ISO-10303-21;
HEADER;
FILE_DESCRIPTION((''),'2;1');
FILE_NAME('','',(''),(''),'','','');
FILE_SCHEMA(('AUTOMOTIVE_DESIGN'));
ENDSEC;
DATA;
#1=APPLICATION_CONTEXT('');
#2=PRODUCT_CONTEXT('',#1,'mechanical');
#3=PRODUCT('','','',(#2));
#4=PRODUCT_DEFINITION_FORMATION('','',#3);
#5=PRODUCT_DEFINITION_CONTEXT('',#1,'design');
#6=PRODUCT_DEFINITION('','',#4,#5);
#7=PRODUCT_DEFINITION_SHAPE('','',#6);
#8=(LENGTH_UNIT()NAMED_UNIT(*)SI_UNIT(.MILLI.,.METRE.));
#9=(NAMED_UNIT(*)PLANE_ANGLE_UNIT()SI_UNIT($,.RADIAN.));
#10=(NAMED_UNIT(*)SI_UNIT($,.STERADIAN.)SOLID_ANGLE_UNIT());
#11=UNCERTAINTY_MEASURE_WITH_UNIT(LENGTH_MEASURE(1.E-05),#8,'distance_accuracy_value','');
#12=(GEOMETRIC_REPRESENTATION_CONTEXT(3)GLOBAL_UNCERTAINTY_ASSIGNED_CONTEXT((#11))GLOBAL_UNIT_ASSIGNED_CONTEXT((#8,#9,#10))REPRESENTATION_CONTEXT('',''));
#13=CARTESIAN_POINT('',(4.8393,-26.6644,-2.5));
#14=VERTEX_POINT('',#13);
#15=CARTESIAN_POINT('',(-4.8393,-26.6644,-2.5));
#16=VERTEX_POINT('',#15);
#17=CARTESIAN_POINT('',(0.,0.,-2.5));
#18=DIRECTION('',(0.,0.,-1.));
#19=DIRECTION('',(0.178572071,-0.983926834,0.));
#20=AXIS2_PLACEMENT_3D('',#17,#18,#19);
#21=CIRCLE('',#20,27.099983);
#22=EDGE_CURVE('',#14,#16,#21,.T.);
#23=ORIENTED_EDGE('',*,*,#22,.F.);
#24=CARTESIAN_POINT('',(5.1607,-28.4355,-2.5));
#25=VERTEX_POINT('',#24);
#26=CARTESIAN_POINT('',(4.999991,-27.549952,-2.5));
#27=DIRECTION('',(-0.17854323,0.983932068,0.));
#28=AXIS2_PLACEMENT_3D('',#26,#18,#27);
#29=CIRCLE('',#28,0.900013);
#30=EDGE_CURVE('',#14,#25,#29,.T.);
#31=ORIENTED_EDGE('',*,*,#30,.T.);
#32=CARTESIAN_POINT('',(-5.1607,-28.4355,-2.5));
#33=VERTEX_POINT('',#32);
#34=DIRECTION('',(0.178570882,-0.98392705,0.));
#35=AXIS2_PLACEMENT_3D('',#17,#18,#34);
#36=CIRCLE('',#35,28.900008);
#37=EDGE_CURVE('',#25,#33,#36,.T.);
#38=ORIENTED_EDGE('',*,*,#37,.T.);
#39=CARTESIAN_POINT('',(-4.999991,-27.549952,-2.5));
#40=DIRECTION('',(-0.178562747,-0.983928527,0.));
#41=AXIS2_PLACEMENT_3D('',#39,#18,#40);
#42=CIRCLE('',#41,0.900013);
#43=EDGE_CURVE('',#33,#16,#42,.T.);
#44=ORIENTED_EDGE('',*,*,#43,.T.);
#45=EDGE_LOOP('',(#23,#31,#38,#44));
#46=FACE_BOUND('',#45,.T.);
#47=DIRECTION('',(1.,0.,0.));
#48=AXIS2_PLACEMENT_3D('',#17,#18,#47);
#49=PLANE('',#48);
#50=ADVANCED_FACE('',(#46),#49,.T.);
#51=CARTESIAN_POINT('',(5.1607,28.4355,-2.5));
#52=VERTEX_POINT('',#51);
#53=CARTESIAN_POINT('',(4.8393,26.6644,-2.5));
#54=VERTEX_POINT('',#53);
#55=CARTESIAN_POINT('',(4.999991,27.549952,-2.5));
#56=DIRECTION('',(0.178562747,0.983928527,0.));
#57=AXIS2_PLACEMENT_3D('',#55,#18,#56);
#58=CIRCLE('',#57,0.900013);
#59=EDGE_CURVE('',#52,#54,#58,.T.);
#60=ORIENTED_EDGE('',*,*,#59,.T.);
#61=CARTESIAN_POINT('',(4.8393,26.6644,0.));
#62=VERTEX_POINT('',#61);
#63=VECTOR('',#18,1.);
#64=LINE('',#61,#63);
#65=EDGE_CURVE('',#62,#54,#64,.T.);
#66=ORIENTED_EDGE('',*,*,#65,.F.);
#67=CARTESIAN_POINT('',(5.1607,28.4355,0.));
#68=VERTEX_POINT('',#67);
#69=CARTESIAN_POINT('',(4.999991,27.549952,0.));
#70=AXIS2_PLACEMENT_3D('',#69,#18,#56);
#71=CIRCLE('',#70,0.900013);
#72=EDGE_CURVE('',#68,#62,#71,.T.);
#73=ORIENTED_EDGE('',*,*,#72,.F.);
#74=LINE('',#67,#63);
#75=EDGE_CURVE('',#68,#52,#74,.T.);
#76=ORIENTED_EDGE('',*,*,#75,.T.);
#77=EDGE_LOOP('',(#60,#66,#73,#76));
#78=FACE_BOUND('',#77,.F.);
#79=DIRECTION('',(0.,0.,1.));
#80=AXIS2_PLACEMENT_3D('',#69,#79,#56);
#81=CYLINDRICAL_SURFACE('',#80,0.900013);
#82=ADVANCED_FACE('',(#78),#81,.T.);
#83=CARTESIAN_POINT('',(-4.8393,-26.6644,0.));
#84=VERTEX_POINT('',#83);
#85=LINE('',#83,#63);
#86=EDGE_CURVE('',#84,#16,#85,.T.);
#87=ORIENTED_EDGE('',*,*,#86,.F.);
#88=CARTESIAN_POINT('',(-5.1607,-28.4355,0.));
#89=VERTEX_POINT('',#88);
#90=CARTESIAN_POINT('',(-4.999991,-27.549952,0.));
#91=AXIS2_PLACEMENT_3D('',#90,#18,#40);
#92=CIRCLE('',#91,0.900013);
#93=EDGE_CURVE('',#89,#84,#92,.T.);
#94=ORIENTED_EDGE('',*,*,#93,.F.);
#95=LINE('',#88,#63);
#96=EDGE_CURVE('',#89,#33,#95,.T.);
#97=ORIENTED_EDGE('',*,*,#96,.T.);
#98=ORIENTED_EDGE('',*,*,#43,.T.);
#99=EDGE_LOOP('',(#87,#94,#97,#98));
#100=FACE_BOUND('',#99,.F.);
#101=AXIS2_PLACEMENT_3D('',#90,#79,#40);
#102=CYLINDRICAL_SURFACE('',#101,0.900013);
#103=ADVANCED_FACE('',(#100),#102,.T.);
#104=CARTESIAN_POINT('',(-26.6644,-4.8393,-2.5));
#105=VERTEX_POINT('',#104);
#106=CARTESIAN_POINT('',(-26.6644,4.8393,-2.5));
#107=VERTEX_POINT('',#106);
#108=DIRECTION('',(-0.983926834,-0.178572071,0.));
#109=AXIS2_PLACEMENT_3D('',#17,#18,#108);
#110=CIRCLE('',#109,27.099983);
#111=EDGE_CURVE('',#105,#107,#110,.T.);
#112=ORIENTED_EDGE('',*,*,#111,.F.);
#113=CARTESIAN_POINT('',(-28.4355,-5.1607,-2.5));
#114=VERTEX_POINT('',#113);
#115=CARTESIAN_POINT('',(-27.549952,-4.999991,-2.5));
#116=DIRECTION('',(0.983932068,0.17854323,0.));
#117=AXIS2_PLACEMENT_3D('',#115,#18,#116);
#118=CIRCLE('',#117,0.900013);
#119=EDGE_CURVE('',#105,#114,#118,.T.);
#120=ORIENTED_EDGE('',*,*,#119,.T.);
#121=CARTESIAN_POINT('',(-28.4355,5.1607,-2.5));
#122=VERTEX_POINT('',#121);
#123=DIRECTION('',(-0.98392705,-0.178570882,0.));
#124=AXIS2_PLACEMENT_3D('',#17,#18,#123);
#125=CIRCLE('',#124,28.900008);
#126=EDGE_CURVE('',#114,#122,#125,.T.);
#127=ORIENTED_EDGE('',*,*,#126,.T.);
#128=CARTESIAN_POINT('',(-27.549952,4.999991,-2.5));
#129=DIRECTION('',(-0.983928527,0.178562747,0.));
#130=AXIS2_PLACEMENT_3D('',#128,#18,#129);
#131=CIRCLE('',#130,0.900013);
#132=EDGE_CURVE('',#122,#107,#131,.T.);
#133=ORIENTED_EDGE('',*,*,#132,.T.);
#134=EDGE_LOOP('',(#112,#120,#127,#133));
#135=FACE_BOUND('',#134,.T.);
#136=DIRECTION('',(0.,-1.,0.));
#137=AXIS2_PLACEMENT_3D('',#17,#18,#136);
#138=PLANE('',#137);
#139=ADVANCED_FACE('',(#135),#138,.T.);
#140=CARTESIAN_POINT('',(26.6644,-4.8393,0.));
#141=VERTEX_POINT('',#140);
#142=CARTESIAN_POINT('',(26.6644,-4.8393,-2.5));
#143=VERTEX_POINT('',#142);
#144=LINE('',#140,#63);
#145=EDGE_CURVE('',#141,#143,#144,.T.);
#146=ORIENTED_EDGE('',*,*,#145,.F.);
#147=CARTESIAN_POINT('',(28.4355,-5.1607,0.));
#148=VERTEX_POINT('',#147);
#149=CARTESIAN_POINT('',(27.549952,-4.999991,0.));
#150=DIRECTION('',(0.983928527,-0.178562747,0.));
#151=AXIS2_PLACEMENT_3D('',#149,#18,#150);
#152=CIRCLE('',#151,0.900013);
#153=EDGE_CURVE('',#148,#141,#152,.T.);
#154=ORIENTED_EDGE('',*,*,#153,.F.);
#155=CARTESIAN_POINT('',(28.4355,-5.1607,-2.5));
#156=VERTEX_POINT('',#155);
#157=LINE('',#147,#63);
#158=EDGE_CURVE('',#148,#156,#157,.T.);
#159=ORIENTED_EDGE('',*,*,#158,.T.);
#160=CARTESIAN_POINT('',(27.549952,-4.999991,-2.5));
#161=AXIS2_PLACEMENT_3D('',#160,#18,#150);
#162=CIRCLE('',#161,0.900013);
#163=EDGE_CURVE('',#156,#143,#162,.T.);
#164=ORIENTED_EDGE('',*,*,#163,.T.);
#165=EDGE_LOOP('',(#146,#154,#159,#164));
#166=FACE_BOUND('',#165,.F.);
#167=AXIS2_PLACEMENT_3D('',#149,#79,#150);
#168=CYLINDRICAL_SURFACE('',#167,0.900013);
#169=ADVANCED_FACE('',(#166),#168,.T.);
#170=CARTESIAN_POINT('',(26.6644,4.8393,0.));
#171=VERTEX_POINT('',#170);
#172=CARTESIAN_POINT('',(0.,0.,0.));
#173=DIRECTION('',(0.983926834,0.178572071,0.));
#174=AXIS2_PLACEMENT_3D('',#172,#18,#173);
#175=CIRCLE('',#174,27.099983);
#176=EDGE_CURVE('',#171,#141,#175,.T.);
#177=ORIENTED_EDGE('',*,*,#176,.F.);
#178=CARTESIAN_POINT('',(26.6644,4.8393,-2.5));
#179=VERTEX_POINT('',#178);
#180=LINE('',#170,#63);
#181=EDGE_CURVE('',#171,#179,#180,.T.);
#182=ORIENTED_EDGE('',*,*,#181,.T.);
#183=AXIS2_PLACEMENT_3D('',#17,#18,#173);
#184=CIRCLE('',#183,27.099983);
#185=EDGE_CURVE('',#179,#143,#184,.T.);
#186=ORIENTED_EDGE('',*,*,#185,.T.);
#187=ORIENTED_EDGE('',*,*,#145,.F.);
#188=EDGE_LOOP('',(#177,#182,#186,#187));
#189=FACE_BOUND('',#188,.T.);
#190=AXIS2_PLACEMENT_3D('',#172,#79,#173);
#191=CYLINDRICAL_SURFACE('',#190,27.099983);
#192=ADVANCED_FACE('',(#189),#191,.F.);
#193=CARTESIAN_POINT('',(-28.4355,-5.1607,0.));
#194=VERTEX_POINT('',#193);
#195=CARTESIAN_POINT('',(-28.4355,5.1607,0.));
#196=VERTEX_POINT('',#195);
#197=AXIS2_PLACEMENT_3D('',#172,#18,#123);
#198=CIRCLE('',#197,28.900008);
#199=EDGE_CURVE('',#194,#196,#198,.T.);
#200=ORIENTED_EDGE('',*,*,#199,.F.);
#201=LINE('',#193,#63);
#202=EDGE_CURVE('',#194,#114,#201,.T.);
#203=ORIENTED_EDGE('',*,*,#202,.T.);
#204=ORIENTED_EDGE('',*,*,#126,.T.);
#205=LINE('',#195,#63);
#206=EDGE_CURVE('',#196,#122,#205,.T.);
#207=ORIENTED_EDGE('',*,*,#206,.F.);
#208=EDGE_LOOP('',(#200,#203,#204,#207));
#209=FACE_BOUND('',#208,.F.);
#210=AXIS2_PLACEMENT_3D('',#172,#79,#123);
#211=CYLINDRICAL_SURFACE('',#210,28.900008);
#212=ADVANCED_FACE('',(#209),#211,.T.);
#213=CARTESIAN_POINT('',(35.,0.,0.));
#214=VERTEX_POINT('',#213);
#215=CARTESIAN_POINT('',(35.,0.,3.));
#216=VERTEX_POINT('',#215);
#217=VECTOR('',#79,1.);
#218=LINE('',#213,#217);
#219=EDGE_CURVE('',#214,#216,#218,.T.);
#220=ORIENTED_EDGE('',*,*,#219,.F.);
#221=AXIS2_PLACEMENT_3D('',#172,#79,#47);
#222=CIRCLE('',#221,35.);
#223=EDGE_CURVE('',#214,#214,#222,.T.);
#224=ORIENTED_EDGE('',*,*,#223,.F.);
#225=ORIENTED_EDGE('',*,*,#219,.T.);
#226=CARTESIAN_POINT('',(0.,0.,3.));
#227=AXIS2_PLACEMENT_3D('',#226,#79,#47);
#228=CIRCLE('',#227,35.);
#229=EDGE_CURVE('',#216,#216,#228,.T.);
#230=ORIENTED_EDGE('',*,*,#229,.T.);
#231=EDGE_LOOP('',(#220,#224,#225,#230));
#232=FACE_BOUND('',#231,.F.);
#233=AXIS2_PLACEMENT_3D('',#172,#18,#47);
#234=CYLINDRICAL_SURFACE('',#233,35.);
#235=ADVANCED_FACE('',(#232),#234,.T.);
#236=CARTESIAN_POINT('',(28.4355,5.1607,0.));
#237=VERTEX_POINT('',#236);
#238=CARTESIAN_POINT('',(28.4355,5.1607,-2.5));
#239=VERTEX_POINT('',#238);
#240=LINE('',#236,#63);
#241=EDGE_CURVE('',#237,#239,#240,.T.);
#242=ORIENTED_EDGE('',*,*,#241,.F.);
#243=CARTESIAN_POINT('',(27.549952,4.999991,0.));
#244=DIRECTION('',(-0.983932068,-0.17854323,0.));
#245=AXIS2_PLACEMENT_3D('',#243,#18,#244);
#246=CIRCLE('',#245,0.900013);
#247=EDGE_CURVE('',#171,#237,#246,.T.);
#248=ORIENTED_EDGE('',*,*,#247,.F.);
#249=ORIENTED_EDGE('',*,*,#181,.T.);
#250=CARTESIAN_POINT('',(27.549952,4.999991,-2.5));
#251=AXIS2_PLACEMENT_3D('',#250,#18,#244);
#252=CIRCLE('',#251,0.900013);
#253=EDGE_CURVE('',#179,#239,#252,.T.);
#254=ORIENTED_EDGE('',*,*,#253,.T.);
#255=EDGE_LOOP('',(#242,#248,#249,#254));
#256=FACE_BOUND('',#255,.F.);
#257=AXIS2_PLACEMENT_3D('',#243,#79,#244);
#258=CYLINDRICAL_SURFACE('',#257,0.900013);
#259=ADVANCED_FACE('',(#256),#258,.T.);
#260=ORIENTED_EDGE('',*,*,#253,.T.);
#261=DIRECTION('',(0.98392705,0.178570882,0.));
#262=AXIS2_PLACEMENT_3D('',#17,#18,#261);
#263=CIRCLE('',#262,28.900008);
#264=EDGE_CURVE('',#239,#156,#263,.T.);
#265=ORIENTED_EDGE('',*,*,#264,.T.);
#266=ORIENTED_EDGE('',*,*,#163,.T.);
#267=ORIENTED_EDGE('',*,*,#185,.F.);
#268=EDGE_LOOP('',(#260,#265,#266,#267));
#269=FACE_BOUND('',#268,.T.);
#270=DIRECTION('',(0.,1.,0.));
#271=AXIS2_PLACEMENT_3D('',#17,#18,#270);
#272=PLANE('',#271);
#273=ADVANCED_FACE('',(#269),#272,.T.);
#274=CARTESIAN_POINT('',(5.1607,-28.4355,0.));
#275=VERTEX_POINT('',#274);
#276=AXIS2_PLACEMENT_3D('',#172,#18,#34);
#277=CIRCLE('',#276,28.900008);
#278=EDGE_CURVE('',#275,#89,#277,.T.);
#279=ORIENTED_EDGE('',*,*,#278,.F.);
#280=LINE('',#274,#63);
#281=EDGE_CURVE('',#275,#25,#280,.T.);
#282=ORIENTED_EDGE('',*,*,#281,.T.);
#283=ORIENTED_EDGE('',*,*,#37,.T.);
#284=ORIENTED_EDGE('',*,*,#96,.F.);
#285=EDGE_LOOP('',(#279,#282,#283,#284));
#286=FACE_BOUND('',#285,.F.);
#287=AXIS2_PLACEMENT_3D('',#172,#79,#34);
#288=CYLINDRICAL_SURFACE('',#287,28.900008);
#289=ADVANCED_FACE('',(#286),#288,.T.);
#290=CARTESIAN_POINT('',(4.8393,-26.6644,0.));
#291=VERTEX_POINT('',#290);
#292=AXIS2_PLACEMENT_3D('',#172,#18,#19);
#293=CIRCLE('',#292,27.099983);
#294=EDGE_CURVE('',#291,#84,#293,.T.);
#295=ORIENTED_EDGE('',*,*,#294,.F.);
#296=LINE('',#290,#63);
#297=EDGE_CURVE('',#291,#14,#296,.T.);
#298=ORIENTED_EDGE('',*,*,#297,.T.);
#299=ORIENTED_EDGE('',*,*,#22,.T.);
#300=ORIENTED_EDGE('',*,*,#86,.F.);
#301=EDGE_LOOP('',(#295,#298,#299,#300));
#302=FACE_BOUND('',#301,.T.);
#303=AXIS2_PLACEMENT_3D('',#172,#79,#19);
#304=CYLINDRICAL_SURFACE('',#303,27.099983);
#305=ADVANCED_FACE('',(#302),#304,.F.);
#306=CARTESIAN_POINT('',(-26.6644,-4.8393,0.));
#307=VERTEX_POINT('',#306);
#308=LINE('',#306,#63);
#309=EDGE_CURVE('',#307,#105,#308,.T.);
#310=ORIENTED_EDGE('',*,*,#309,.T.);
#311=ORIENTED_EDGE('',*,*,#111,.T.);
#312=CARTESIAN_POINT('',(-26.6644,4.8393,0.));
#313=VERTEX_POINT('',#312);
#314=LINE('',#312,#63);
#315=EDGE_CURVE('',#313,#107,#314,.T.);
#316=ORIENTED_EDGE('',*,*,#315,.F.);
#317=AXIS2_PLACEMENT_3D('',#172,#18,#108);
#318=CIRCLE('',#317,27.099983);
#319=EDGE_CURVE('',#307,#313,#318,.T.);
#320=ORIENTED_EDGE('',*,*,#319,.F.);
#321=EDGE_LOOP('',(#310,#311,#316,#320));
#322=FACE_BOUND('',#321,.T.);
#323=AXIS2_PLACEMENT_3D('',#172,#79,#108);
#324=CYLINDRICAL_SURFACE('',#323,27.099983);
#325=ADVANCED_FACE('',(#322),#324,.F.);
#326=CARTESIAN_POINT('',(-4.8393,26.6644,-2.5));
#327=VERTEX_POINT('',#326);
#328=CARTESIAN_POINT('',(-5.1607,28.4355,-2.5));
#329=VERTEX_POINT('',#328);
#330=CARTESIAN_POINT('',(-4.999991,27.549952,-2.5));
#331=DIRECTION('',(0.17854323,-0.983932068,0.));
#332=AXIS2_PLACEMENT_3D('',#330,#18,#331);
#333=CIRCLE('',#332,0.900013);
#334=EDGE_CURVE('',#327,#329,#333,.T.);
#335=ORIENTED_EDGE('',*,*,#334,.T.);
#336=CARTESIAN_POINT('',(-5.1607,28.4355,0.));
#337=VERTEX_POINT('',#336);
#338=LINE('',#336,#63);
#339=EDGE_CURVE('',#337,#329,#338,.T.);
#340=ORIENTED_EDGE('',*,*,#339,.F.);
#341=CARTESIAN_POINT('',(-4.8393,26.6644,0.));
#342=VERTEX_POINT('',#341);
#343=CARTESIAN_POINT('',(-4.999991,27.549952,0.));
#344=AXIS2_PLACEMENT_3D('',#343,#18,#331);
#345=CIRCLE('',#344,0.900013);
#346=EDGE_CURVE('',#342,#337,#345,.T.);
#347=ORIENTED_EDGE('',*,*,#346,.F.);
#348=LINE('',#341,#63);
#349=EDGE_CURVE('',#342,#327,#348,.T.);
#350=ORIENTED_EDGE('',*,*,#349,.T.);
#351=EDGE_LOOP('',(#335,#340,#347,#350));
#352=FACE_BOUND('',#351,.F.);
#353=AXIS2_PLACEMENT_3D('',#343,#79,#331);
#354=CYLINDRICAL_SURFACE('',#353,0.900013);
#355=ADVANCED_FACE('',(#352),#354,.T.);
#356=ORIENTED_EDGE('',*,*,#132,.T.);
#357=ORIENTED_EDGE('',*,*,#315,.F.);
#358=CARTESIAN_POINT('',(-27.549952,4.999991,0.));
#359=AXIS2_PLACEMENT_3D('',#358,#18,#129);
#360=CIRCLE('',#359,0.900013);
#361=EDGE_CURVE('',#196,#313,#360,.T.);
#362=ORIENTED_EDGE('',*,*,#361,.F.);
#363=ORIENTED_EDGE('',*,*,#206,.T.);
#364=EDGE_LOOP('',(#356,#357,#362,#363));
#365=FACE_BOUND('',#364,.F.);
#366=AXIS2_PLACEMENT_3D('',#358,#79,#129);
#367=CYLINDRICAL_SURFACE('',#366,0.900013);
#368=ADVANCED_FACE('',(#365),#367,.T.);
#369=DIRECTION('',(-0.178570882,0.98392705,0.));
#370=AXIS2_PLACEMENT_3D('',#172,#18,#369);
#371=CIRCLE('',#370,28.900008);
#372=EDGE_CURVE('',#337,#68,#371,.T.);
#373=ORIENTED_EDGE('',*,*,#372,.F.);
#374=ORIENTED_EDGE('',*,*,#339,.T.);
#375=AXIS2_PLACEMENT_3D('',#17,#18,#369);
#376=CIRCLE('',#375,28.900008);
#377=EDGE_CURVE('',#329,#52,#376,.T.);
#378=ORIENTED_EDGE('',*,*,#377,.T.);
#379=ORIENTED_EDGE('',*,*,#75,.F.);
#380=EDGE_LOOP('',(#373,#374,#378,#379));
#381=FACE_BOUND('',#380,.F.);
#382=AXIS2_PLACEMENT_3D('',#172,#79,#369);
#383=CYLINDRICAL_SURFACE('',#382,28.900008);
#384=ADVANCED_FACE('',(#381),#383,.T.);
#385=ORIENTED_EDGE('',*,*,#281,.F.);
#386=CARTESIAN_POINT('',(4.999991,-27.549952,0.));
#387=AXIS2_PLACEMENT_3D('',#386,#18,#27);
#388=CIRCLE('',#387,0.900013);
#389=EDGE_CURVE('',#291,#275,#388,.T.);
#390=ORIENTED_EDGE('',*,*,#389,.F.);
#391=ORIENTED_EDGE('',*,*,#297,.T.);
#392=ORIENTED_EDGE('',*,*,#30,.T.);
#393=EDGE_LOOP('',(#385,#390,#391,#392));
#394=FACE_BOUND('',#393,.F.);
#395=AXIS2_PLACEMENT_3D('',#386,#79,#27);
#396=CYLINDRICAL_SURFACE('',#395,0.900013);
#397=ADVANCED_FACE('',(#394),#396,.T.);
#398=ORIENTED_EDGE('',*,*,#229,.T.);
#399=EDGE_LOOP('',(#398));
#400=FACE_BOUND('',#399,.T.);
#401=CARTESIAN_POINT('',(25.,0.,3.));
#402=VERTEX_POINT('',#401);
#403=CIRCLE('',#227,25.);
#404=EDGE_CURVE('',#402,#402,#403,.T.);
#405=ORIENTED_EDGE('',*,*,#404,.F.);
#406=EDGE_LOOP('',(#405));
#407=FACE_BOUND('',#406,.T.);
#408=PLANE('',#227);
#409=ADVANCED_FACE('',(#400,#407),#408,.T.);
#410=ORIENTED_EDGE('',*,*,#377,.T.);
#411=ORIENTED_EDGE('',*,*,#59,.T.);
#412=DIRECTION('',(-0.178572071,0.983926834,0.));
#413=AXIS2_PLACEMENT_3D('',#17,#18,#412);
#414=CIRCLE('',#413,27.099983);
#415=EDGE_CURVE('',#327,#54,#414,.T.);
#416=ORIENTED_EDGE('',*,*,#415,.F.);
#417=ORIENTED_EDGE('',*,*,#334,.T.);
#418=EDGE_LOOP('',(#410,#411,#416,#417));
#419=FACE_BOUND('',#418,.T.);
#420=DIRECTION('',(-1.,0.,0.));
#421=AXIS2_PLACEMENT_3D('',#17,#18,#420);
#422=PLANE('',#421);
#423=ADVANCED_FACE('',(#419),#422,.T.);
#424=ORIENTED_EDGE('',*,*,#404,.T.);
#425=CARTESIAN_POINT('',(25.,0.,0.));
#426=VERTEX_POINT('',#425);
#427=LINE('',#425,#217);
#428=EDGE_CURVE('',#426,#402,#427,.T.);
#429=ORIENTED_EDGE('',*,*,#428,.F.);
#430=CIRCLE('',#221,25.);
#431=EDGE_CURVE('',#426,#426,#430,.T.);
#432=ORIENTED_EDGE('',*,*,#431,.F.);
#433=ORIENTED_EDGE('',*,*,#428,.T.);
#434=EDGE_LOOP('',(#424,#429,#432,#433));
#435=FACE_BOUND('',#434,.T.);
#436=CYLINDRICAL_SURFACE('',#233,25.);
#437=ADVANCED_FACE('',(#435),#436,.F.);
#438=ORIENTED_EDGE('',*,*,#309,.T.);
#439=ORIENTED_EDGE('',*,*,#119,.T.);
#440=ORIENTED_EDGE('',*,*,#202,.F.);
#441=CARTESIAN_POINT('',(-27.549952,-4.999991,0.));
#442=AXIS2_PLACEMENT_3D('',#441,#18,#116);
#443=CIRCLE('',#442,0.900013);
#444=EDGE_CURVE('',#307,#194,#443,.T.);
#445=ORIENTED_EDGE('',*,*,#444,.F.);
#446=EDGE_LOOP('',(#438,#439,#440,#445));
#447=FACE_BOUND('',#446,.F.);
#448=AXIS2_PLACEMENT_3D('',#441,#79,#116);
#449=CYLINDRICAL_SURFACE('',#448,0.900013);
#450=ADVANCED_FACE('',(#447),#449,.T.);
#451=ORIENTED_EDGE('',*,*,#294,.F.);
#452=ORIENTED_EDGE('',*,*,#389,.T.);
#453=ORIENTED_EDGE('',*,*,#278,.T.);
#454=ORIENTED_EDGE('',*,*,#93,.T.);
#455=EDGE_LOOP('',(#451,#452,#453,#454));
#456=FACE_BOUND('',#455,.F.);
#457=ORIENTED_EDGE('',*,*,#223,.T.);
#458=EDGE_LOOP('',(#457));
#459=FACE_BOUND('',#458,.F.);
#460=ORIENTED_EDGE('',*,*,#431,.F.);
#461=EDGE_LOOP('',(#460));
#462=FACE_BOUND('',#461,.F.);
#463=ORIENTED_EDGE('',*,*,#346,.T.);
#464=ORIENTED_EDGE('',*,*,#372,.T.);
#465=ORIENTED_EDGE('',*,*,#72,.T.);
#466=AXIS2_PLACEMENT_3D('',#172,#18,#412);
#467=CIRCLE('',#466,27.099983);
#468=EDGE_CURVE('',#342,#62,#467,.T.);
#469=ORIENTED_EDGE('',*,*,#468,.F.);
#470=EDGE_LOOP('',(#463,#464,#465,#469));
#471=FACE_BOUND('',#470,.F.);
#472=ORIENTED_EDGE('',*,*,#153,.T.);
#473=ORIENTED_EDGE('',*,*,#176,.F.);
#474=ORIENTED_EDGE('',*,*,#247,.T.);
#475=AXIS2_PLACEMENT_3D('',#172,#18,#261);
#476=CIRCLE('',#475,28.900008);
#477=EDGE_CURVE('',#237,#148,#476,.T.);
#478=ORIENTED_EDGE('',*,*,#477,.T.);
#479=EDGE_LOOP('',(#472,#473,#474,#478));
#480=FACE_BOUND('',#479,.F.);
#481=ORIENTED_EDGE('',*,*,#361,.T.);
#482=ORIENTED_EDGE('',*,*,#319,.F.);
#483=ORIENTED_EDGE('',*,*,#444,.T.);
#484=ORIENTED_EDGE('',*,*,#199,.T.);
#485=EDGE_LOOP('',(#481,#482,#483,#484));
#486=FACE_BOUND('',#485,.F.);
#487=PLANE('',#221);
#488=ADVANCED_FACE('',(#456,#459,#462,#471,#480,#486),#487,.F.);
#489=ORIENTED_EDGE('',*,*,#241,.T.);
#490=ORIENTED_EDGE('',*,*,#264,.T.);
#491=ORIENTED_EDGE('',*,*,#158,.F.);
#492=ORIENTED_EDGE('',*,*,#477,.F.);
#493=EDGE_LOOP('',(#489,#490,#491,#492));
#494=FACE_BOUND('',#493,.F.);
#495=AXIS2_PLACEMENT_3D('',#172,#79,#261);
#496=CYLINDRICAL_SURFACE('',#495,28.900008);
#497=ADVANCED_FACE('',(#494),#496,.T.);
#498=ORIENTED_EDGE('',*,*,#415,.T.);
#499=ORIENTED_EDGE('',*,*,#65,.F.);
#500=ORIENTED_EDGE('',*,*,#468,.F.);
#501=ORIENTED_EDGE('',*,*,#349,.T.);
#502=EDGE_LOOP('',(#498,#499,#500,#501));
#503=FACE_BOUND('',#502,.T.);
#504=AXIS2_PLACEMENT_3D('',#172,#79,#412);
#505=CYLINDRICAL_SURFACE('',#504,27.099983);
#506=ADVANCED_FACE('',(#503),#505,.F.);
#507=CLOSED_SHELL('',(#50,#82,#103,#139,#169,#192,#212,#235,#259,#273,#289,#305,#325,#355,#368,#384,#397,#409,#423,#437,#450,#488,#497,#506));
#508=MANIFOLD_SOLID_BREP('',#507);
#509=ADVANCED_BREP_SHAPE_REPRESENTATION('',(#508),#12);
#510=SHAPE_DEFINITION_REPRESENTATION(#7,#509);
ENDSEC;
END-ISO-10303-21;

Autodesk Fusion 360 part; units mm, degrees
sketch "Sketch1" plane through (0, 0, 0) normal (0, 0, 1) x (1, 0, 0)
  circle A0 centre (0, 0) radius 35
  circle A1 centre (0, 0) radius 25
  circle A2 centre (0, 0) radius 28 construction
  circle A3 centre (0, 0) radius 32 construction
  dimension "d1" = 70
  dimension "d2" = 50
  dimension "d6" = 56
  dimension "d15" = 4
extrude "Extrude1" add sketch "Sketch1" along normal blind 3
sketch "Sketch2" plane through (0, 0, 0) normal (0, 0, -1) x (1, 0, 0)
  circle A0 centre (0, 0) radius 25
  circle A1 centre (0, 0) radius 35
  circle A2 centre (0, 0) radius 28 construction
  arc A3 (4.8393, 26.6644) -> (-4.8393, 26.6644) centre (0, 0) ccw
  arc A4 (4.8393, 26.6644) -> (5.1607, 28.4355) centre (5, 27.55) ccw
  arc A5 (5.1607, 28.4355) -> (-5.1607, 28.4355) centre (0, 0) ccw
  arc A6 (-5.1607, 28.4355) -> (-4.8393, 26.6644) centre (-5, 27.55) ccw
  arc A7 (5, 27.55) -> (-5, 27.55) centre (0, 0) ccw construction
  line L0 (-5, 27.55) -> (5, 27.55) construction
  line L1 (0, 0) -> (0, 55.0999) construction
  dimension "d5" = 56
  dimension "d7" = 0.9
  dimension "d14" = 10
extrude "Extrude2" add sketch "Sketch2" along normal blind 2.5 contours A3 A4 A5 A6
pattern_circular "C-Pattern1" count 4 over 360 about axis through (0, 0, 0) along (0, 0, -1) of "Extrude2"
